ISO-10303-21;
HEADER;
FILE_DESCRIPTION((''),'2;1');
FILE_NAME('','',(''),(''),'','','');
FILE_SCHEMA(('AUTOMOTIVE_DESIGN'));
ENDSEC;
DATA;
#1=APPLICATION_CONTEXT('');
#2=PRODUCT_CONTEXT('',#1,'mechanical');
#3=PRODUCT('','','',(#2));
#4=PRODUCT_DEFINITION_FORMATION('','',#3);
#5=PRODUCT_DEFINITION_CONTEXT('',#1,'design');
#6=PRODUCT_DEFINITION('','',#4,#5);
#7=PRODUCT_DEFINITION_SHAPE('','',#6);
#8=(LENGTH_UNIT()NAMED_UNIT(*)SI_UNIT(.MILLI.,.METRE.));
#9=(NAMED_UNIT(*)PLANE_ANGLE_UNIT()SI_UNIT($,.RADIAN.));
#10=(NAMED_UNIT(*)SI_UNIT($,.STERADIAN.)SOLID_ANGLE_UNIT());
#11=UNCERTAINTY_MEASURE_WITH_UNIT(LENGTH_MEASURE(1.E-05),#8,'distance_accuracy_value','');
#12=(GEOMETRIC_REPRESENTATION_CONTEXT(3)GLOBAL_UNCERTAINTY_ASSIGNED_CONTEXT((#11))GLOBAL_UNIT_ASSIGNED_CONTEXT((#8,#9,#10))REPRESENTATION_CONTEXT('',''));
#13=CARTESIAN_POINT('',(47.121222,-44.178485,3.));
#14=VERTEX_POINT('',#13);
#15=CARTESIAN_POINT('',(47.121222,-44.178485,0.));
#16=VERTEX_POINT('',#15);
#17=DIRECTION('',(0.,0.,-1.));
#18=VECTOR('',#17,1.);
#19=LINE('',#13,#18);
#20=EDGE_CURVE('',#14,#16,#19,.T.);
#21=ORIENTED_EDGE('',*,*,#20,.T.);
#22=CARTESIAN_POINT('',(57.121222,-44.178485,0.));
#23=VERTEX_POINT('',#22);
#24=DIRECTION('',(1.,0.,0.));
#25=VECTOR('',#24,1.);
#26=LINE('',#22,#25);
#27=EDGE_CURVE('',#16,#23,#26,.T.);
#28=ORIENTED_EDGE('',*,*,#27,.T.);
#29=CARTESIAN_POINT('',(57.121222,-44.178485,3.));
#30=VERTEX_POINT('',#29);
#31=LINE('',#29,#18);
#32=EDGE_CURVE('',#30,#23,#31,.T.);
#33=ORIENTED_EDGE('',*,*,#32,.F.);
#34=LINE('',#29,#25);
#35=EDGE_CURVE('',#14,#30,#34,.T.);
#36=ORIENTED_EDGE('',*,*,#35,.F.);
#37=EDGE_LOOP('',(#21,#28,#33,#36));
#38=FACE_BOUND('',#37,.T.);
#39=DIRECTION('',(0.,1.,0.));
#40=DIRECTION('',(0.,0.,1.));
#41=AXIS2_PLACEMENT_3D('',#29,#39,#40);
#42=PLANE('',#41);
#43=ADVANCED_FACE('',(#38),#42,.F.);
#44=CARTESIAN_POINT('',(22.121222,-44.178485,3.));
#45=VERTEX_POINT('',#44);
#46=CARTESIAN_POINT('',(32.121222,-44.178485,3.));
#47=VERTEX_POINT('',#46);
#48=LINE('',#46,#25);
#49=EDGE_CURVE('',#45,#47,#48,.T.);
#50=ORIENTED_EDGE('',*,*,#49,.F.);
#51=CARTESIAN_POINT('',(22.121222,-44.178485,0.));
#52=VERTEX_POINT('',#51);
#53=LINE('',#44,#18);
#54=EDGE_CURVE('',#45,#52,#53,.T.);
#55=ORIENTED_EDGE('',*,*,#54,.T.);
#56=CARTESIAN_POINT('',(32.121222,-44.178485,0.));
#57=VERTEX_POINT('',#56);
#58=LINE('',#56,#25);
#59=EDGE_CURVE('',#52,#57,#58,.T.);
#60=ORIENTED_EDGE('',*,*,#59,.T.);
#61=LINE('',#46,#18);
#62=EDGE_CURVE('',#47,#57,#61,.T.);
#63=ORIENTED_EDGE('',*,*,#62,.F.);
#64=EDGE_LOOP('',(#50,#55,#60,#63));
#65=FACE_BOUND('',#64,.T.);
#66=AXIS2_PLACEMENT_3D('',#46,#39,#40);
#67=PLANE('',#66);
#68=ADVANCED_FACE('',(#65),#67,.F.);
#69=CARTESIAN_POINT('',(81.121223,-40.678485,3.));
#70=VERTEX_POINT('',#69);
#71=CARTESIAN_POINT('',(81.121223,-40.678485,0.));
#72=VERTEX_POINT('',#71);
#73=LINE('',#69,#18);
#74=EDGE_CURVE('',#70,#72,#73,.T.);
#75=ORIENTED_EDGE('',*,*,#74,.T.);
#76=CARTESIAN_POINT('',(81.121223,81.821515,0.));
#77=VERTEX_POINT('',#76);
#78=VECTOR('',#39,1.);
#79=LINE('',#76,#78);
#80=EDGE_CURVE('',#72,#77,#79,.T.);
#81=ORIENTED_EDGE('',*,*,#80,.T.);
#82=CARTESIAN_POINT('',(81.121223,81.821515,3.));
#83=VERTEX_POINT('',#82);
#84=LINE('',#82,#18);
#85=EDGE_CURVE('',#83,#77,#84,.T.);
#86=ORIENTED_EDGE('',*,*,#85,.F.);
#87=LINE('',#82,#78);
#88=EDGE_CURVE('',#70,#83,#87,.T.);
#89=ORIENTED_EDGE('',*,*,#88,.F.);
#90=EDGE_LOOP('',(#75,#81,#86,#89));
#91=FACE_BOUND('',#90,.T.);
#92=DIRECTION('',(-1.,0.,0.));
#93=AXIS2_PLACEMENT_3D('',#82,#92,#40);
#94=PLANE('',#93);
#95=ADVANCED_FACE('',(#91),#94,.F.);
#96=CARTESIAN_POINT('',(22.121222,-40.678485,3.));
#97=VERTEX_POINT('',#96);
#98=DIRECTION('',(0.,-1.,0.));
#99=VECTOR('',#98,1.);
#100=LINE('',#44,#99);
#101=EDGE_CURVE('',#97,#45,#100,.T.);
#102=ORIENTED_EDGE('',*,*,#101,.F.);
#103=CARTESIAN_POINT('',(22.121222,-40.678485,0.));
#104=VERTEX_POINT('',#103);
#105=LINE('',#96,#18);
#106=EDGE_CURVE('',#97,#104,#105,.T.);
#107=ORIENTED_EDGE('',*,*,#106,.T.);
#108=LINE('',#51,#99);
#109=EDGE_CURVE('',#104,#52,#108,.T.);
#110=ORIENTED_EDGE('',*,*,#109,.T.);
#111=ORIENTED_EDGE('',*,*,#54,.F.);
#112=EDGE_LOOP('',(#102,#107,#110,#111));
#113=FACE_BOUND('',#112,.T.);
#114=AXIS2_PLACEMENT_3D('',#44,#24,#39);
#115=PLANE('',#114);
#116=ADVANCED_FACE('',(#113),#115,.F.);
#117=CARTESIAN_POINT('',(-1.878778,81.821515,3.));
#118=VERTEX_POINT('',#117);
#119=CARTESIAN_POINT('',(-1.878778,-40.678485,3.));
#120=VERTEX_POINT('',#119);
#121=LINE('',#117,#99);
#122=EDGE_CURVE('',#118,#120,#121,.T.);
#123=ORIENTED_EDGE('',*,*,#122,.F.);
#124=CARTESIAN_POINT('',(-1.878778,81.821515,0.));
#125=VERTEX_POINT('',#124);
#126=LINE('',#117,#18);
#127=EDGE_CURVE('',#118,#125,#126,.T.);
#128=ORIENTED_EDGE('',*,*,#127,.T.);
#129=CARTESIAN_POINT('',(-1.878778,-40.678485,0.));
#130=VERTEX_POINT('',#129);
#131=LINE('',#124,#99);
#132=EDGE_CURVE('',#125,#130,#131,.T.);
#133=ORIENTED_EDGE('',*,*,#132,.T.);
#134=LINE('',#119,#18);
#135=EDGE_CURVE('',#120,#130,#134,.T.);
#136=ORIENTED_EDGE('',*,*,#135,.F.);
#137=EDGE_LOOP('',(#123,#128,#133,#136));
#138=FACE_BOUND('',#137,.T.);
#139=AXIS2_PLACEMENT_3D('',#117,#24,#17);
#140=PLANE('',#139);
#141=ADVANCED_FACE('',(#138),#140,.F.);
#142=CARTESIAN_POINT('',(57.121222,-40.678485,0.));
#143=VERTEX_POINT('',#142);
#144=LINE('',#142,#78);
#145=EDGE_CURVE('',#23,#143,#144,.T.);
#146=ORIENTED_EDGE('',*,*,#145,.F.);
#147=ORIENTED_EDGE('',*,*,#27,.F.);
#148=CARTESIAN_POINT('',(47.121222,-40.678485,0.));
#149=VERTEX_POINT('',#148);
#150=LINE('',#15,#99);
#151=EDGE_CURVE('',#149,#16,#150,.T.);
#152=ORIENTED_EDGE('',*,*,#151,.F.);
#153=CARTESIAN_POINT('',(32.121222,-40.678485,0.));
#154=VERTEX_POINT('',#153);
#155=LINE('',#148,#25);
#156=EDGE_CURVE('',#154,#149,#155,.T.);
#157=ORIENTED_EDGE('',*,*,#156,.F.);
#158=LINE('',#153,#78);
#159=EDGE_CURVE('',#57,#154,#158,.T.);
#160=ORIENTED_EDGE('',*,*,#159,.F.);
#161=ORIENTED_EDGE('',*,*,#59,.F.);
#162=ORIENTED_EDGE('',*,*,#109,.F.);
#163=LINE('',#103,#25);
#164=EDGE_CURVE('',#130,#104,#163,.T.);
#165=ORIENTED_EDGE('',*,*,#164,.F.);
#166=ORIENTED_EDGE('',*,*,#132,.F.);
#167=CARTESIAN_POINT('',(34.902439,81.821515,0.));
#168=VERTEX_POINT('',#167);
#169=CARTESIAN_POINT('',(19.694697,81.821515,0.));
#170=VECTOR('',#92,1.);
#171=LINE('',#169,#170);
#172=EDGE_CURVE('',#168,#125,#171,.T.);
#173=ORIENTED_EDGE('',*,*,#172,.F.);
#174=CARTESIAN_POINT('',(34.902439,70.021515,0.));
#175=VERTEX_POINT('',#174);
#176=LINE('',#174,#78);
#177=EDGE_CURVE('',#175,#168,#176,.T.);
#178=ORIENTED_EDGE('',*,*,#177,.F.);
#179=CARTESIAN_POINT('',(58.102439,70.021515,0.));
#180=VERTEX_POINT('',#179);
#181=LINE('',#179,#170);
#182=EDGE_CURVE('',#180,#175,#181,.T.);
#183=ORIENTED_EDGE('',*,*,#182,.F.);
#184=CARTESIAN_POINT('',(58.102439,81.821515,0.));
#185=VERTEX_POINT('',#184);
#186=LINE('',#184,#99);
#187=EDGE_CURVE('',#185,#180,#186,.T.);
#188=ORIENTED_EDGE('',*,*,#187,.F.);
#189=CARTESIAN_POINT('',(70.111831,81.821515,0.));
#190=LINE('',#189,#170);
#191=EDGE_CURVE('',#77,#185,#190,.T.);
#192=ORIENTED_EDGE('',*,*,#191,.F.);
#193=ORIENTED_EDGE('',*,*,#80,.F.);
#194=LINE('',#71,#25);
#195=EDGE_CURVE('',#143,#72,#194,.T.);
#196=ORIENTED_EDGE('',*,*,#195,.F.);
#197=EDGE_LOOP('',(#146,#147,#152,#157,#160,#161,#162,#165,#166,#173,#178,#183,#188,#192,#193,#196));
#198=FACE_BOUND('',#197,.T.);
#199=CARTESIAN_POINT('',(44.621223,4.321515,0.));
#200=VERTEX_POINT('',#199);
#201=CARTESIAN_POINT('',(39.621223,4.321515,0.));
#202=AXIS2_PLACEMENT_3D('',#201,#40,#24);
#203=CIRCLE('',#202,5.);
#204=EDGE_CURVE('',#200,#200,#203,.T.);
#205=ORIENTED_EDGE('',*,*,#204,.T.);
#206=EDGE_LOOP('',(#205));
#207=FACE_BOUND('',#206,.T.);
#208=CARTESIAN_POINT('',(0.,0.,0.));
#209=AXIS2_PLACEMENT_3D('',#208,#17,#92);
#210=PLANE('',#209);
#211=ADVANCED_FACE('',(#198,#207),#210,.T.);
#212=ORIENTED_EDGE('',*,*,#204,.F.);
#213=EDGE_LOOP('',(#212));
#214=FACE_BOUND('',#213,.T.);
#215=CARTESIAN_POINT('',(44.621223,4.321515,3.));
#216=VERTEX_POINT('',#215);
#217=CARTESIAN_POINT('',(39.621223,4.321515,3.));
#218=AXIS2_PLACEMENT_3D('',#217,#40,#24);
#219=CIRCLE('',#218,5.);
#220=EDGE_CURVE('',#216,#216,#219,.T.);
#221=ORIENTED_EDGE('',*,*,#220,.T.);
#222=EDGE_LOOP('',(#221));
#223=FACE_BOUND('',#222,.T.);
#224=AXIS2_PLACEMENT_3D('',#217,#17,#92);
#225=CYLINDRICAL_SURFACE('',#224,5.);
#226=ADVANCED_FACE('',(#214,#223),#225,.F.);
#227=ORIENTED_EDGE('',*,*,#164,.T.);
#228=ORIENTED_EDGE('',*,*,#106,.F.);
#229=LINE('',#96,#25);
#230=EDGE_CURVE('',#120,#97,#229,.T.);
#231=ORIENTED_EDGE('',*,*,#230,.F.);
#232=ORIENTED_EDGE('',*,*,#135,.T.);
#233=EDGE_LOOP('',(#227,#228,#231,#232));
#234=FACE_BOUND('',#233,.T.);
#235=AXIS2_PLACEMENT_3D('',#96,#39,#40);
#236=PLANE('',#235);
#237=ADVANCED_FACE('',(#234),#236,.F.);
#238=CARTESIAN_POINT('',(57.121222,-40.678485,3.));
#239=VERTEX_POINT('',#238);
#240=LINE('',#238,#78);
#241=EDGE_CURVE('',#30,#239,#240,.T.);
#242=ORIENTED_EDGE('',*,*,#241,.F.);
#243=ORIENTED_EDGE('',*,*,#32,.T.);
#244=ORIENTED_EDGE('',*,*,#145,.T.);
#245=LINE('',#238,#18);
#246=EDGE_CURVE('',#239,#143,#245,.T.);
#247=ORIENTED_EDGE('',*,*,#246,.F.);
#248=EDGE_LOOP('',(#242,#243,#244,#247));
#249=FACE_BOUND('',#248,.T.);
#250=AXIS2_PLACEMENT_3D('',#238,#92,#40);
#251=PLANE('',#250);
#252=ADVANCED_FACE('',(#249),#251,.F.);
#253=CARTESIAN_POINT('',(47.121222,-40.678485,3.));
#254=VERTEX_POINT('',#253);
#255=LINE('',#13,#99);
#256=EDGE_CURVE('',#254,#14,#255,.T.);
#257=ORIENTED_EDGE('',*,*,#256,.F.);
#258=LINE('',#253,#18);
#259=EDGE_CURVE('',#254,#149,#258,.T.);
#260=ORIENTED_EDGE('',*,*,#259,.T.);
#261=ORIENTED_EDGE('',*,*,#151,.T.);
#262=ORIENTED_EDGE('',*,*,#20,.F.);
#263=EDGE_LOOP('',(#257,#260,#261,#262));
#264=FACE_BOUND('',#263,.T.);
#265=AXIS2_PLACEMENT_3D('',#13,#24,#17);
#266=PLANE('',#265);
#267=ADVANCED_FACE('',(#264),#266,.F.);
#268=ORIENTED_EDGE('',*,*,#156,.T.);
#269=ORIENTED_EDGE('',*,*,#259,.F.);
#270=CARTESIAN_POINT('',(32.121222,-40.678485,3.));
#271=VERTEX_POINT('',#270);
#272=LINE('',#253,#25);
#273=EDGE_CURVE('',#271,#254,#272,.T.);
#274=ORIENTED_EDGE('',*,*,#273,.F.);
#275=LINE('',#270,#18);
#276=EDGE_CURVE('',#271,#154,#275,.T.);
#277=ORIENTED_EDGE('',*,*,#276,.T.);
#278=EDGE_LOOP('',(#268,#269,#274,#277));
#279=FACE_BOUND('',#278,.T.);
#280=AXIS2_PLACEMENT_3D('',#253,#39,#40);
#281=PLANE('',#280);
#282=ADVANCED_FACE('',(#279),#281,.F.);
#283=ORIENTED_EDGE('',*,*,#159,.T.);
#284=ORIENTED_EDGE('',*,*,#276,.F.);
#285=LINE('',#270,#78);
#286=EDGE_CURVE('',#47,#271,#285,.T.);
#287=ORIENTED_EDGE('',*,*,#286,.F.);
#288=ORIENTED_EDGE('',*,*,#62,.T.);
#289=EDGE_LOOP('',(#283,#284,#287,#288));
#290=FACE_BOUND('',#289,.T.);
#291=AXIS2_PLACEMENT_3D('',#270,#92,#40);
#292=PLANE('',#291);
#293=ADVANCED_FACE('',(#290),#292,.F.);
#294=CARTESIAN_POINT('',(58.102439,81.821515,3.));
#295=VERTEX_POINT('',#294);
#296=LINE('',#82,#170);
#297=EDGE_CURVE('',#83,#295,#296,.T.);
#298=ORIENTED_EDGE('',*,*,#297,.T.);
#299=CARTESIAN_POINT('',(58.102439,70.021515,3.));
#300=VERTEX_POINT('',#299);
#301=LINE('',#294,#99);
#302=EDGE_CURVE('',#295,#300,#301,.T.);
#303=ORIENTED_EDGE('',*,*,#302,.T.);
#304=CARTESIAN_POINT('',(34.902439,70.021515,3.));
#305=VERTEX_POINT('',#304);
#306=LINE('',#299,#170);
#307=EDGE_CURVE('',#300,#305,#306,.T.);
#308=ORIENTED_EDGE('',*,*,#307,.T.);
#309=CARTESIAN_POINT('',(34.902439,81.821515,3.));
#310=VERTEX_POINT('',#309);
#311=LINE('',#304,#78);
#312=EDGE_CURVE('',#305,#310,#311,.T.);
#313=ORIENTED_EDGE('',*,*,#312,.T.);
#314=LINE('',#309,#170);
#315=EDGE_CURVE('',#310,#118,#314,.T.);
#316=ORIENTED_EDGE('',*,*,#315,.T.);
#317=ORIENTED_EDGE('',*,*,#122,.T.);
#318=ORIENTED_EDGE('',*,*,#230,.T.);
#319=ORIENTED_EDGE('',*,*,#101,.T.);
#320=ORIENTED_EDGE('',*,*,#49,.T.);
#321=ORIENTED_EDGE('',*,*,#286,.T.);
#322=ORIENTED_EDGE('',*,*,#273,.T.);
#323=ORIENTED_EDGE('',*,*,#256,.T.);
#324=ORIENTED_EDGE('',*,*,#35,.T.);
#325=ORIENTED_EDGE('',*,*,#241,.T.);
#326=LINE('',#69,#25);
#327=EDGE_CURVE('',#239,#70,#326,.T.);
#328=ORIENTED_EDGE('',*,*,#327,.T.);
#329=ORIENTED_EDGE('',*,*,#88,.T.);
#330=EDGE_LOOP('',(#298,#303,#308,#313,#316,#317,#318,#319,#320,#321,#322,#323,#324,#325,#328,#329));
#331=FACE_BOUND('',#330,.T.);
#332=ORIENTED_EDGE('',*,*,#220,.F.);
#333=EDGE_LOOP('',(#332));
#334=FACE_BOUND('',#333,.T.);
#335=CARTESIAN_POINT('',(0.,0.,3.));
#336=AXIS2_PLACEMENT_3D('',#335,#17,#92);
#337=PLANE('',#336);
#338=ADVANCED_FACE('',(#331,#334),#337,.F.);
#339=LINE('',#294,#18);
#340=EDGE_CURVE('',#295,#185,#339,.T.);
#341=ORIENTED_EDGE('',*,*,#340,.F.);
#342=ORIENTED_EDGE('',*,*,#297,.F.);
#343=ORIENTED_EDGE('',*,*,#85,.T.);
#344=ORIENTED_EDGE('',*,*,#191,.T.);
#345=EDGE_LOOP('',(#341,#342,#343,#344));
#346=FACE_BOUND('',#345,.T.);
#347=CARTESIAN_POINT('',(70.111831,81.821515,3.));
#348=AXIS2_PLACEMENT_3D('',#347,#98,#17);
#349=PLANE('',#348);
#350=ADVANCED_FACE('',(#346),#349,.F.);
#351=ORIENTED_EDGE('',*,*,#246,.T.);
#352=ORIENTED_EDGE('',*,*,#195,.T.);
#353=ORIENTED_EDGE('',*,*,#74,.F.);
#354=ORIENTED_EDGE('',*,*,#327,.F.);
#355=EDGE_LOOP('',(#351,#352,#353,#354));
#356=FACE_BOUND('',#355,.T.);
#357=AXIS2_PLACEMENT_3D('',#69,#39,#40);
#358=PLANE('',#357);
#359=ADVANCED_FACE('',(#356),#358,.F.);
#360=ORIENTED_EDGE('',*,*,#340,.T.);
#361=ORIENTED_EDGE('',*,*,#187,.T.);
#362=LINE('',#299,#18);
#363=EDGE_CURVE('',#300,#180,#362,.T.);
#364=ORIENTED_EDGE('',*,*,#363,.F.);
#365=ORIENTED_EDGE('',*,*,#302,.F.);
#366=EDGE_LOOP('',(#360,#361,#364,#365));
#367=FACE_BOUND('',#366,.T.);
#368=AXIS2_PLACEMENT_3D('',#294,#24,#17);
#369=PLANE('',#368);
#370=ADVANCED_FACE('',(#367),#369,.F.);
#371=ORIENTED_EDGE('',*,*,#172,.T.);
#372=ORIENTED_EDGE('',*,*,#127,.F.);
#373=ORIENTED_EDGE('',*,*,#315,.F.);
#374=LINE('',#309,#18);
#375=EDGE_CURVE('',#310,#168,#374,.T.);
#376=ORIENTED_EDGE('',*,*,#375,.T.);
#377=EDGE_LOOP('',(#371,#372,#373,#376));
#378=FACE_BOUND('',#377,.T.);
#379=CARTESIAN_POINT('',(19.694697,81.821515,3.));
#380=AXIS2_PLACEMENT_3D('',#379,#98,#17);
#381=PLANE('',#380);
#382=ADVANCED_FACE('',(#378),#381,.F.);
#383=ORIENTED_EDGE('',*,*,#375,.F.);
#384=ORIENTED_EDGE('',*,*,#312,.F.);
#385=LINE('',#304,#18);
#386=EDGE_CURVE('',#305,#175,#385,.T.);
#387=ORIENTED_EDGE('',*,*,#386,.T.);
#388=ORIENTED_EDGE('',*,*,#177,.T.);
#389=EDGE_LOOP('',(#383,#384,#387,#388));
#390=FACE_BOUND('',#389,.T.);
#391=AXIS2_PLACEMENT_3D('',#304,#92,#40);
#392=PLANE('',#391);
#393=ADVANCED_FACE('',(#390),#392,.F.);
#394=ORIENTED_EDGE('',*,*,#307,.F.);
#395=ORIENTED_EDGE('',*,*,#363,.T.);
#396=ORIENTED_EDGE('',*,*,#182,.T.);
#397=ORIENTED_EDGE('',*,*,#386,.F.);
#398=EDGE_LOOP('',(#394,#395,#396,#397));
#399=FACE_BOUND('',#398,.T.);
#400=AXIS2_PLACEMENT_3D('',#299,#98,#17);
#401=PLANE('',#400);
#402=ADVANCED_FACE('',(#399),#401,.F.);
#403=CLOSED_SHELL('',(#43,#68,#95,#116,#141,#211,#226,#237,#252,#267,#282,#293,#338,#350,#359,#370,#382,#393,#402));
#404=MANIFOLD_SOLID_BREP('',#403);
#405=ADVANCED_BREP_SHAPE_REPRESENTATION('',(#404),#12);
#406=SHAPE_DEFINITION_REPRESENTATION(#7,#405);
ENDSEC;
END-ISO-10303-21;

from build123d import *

# Parameters (mm, degrees)
MODEL_R                 = 5
SALIENTE_EXTRUIR1_DEPTH = 3


with BuildPart() as part:
    # Model → Saliente-Extruir1 (new body)
    with BuildSketch(Plane.XY):
        Polygon((81.121222681, 81.82151488), (70.11183083, 81.82151488), (58.10243898, 81.82151488), (58.10243898, 70.02151488), (34.90243898, 70.02151488), (34.90243898, 81.82151488), (19.694696617, 81.82151488), (-1.878778155, 81.82151488), (-1.878778155, -40.67848512), (22.121222263, -40.67848512), (22.121222263, -44.17848512), (32.121222263, -44.17848512), (32.121222263, -40.67848512), (47.121222263, -40.67848512), (47.121222263, -44.17848512), (57.121222263, -44.17848512), (57.121222263, -40.67848512), (81.121222681, -40.67848512), align=None)
        with Locations((39.621222681, 4.32151488)):
            Circle(MODEL_R, mode=Mode.SUBTRACT)
    extrude(amount=SALIENTE_EXTRUIR1_DEPTH)


solid = part.part
